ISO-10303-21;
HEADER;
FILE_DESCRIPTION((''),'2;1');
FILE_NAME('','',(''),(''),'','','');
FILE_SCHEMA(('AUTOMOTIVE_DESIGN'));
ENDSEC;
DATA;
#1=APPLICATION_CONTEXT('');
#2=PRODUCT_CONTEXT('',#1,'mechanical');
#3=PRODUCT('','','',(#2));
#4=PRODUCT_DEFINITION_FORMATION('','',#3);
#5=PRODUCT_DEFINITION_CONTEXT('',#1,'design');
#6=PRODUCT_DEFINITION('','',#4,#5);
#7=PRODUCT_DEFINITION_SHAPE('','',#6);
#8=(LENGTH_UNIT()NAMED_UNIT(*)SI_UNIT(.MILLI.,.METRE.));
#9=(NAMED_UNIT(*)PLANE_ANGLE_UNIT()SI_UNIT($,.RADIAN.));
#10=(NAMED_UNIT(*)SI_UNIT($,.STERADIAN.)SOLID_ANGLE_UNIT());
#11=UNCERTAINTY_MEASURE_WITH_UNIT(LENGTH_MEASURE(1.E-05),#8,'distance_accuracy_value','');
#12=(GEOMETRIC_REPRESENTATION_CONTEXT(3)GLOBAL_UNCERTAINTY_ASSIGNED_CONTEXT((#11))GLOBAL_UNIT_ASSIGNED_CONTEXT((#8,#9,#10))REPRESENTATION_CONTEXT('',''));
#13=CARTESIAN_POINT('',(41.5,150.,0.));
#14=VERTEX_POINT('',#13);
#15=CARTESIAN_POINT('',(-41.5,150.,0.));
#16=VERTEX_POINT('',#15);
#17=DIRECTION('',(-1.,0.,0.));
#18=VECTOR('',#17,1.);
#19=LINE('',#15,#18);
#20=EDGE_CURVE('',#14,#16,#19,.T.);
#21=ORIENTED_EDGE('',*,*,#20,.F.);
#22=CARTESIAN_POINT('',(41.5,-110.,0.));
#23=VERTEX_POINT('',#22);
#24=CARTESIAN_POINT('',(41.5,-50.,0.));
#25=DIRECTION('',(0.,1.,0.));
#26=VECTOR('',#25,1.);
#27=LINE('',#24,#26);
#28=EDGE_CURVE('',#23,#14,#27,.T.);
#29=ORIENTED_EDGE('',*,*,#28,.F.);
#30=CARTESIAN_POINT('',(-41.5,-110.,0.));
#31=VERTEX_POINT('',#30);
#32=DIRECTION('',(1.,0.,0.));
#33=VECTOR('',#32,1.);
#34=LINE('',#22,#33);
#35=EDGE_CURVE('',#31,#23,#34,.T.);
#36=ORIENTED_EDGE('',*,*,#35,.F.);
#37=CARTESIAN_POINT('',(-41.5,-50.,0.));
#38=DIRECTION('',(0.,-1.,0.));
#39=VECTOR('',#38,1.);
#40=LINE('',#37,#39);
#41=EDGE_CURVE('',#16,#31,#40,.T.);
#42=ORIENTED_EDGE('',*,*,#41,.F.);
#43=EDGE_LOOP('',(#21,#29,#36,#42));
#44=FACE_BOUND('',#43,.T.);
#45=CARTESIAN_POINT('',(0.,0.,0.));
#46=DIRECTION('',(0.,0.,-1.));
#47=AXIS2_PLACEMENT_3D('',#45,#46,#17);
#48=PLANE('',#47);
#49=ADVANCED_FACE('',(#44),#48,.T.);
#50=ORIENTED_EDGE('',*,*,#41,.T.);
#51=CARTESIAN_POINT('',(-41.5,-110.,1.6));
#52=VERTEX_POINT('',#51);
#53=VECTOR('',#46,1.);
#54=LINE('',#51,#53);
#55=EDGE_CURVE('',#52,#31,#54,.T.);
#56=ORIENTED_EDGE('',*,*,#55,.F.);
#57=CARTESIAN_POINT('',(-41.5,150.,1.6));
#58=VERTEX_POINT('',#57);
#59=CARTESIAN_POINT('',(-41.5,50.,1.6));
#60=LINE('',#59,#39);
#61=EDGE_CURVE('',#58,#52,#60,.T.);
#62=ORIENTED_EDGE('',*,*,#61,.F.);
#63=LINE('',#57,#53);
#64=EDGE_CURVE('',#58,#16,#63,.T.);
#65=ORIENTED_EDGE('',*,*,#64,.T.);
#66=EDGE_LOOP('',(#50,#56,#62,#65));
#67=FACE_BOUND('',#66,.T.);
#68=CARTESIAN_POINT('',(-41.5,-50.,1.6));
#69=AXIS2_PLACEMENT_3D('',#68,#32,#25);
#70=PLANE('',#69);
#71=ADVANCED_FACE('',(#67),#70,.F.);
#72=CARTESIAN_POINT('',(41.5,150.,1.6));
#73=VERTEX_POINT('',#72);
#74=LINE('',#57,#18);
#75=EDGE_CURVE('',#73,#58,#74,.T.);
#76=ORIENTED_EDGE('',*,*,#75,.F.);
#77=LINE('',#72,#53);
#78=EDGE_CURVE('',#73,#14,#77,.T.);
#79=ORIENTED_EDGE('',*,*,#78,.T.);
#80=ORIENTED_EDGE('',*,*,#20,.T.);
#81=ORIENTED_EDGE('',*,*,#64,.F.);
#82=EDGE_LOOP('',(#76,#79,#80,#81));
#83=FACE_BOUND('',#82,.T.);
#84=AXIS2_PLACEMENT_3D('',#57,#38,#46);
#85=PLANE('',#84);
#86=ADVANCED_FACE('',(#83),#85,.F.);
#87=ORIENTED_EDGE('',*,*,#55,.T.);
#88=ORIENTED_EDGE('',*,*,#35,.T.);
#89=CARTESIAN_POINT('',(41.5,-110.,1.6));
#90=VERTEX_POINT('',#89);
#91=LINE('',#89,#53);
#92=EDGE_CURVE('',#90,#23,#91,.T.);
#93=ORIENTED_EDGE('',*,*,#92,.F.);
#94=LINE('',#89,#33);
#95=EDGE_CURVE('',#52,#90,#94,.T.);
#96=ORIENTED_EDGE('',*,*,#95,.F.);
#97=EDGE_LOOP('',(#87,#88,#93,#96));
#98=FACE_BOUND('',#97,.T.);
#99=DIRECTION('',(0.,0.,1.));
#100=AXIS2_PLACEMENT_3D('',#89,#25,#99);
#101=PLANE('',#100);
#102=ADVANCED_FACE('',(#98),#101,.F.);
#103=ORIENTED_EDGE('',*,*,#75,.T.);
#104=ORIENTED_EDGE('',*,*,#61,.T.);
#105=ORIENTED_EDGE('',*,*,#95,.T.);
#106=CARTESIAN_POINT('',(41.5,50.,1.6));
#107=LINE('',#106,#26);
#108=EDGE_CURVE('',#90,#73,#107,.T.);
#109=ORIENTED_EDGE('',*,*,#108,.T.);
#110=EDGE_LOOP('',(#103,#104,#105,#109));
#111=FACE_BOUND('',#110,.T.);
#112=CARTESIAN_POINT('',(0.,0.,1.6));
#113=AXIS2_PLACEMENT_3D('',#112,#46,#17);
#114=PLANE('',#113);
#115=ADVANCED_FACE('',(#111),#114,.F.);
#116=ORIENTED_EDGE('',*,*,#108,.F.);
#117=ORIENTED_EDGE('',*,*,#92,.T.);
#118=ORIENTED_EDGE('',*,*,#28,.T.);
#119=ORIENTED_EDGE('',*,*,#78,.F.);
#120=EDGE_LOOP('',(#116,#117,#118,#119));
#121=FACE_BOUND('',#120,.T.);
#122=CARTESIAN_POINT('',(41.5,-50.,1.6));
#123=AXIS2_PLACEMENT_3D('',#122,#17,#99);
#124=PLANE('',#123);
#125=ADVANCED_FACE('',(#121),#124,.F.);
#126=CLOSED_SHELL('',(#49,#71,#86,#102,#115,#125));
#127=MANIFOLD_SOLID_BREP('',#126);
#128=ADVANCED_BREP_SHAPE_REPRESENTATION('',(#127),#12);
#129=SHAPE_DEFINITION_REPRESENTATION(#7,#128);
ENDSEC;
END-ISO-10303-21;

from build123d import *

# Parameters (mm, degrees)
BOSS_EXTRUDE1_DEPTH = 1.6


with BuildPart() as part:
    # Sketch1 → Boss-Extrude1 (new body)
    with BuildSketch(Plane.XY):
        Polygon((-41.5, -50), (-41.5, -110), (41.5, -110), (41.5, -50), (41.5, 50), (41.5, 150), (-41.5, 150), (-41.5, 50), align=None)
    extrude(amount=BOSS_EXTRUDE1_DEPTH)


solid = part.part
